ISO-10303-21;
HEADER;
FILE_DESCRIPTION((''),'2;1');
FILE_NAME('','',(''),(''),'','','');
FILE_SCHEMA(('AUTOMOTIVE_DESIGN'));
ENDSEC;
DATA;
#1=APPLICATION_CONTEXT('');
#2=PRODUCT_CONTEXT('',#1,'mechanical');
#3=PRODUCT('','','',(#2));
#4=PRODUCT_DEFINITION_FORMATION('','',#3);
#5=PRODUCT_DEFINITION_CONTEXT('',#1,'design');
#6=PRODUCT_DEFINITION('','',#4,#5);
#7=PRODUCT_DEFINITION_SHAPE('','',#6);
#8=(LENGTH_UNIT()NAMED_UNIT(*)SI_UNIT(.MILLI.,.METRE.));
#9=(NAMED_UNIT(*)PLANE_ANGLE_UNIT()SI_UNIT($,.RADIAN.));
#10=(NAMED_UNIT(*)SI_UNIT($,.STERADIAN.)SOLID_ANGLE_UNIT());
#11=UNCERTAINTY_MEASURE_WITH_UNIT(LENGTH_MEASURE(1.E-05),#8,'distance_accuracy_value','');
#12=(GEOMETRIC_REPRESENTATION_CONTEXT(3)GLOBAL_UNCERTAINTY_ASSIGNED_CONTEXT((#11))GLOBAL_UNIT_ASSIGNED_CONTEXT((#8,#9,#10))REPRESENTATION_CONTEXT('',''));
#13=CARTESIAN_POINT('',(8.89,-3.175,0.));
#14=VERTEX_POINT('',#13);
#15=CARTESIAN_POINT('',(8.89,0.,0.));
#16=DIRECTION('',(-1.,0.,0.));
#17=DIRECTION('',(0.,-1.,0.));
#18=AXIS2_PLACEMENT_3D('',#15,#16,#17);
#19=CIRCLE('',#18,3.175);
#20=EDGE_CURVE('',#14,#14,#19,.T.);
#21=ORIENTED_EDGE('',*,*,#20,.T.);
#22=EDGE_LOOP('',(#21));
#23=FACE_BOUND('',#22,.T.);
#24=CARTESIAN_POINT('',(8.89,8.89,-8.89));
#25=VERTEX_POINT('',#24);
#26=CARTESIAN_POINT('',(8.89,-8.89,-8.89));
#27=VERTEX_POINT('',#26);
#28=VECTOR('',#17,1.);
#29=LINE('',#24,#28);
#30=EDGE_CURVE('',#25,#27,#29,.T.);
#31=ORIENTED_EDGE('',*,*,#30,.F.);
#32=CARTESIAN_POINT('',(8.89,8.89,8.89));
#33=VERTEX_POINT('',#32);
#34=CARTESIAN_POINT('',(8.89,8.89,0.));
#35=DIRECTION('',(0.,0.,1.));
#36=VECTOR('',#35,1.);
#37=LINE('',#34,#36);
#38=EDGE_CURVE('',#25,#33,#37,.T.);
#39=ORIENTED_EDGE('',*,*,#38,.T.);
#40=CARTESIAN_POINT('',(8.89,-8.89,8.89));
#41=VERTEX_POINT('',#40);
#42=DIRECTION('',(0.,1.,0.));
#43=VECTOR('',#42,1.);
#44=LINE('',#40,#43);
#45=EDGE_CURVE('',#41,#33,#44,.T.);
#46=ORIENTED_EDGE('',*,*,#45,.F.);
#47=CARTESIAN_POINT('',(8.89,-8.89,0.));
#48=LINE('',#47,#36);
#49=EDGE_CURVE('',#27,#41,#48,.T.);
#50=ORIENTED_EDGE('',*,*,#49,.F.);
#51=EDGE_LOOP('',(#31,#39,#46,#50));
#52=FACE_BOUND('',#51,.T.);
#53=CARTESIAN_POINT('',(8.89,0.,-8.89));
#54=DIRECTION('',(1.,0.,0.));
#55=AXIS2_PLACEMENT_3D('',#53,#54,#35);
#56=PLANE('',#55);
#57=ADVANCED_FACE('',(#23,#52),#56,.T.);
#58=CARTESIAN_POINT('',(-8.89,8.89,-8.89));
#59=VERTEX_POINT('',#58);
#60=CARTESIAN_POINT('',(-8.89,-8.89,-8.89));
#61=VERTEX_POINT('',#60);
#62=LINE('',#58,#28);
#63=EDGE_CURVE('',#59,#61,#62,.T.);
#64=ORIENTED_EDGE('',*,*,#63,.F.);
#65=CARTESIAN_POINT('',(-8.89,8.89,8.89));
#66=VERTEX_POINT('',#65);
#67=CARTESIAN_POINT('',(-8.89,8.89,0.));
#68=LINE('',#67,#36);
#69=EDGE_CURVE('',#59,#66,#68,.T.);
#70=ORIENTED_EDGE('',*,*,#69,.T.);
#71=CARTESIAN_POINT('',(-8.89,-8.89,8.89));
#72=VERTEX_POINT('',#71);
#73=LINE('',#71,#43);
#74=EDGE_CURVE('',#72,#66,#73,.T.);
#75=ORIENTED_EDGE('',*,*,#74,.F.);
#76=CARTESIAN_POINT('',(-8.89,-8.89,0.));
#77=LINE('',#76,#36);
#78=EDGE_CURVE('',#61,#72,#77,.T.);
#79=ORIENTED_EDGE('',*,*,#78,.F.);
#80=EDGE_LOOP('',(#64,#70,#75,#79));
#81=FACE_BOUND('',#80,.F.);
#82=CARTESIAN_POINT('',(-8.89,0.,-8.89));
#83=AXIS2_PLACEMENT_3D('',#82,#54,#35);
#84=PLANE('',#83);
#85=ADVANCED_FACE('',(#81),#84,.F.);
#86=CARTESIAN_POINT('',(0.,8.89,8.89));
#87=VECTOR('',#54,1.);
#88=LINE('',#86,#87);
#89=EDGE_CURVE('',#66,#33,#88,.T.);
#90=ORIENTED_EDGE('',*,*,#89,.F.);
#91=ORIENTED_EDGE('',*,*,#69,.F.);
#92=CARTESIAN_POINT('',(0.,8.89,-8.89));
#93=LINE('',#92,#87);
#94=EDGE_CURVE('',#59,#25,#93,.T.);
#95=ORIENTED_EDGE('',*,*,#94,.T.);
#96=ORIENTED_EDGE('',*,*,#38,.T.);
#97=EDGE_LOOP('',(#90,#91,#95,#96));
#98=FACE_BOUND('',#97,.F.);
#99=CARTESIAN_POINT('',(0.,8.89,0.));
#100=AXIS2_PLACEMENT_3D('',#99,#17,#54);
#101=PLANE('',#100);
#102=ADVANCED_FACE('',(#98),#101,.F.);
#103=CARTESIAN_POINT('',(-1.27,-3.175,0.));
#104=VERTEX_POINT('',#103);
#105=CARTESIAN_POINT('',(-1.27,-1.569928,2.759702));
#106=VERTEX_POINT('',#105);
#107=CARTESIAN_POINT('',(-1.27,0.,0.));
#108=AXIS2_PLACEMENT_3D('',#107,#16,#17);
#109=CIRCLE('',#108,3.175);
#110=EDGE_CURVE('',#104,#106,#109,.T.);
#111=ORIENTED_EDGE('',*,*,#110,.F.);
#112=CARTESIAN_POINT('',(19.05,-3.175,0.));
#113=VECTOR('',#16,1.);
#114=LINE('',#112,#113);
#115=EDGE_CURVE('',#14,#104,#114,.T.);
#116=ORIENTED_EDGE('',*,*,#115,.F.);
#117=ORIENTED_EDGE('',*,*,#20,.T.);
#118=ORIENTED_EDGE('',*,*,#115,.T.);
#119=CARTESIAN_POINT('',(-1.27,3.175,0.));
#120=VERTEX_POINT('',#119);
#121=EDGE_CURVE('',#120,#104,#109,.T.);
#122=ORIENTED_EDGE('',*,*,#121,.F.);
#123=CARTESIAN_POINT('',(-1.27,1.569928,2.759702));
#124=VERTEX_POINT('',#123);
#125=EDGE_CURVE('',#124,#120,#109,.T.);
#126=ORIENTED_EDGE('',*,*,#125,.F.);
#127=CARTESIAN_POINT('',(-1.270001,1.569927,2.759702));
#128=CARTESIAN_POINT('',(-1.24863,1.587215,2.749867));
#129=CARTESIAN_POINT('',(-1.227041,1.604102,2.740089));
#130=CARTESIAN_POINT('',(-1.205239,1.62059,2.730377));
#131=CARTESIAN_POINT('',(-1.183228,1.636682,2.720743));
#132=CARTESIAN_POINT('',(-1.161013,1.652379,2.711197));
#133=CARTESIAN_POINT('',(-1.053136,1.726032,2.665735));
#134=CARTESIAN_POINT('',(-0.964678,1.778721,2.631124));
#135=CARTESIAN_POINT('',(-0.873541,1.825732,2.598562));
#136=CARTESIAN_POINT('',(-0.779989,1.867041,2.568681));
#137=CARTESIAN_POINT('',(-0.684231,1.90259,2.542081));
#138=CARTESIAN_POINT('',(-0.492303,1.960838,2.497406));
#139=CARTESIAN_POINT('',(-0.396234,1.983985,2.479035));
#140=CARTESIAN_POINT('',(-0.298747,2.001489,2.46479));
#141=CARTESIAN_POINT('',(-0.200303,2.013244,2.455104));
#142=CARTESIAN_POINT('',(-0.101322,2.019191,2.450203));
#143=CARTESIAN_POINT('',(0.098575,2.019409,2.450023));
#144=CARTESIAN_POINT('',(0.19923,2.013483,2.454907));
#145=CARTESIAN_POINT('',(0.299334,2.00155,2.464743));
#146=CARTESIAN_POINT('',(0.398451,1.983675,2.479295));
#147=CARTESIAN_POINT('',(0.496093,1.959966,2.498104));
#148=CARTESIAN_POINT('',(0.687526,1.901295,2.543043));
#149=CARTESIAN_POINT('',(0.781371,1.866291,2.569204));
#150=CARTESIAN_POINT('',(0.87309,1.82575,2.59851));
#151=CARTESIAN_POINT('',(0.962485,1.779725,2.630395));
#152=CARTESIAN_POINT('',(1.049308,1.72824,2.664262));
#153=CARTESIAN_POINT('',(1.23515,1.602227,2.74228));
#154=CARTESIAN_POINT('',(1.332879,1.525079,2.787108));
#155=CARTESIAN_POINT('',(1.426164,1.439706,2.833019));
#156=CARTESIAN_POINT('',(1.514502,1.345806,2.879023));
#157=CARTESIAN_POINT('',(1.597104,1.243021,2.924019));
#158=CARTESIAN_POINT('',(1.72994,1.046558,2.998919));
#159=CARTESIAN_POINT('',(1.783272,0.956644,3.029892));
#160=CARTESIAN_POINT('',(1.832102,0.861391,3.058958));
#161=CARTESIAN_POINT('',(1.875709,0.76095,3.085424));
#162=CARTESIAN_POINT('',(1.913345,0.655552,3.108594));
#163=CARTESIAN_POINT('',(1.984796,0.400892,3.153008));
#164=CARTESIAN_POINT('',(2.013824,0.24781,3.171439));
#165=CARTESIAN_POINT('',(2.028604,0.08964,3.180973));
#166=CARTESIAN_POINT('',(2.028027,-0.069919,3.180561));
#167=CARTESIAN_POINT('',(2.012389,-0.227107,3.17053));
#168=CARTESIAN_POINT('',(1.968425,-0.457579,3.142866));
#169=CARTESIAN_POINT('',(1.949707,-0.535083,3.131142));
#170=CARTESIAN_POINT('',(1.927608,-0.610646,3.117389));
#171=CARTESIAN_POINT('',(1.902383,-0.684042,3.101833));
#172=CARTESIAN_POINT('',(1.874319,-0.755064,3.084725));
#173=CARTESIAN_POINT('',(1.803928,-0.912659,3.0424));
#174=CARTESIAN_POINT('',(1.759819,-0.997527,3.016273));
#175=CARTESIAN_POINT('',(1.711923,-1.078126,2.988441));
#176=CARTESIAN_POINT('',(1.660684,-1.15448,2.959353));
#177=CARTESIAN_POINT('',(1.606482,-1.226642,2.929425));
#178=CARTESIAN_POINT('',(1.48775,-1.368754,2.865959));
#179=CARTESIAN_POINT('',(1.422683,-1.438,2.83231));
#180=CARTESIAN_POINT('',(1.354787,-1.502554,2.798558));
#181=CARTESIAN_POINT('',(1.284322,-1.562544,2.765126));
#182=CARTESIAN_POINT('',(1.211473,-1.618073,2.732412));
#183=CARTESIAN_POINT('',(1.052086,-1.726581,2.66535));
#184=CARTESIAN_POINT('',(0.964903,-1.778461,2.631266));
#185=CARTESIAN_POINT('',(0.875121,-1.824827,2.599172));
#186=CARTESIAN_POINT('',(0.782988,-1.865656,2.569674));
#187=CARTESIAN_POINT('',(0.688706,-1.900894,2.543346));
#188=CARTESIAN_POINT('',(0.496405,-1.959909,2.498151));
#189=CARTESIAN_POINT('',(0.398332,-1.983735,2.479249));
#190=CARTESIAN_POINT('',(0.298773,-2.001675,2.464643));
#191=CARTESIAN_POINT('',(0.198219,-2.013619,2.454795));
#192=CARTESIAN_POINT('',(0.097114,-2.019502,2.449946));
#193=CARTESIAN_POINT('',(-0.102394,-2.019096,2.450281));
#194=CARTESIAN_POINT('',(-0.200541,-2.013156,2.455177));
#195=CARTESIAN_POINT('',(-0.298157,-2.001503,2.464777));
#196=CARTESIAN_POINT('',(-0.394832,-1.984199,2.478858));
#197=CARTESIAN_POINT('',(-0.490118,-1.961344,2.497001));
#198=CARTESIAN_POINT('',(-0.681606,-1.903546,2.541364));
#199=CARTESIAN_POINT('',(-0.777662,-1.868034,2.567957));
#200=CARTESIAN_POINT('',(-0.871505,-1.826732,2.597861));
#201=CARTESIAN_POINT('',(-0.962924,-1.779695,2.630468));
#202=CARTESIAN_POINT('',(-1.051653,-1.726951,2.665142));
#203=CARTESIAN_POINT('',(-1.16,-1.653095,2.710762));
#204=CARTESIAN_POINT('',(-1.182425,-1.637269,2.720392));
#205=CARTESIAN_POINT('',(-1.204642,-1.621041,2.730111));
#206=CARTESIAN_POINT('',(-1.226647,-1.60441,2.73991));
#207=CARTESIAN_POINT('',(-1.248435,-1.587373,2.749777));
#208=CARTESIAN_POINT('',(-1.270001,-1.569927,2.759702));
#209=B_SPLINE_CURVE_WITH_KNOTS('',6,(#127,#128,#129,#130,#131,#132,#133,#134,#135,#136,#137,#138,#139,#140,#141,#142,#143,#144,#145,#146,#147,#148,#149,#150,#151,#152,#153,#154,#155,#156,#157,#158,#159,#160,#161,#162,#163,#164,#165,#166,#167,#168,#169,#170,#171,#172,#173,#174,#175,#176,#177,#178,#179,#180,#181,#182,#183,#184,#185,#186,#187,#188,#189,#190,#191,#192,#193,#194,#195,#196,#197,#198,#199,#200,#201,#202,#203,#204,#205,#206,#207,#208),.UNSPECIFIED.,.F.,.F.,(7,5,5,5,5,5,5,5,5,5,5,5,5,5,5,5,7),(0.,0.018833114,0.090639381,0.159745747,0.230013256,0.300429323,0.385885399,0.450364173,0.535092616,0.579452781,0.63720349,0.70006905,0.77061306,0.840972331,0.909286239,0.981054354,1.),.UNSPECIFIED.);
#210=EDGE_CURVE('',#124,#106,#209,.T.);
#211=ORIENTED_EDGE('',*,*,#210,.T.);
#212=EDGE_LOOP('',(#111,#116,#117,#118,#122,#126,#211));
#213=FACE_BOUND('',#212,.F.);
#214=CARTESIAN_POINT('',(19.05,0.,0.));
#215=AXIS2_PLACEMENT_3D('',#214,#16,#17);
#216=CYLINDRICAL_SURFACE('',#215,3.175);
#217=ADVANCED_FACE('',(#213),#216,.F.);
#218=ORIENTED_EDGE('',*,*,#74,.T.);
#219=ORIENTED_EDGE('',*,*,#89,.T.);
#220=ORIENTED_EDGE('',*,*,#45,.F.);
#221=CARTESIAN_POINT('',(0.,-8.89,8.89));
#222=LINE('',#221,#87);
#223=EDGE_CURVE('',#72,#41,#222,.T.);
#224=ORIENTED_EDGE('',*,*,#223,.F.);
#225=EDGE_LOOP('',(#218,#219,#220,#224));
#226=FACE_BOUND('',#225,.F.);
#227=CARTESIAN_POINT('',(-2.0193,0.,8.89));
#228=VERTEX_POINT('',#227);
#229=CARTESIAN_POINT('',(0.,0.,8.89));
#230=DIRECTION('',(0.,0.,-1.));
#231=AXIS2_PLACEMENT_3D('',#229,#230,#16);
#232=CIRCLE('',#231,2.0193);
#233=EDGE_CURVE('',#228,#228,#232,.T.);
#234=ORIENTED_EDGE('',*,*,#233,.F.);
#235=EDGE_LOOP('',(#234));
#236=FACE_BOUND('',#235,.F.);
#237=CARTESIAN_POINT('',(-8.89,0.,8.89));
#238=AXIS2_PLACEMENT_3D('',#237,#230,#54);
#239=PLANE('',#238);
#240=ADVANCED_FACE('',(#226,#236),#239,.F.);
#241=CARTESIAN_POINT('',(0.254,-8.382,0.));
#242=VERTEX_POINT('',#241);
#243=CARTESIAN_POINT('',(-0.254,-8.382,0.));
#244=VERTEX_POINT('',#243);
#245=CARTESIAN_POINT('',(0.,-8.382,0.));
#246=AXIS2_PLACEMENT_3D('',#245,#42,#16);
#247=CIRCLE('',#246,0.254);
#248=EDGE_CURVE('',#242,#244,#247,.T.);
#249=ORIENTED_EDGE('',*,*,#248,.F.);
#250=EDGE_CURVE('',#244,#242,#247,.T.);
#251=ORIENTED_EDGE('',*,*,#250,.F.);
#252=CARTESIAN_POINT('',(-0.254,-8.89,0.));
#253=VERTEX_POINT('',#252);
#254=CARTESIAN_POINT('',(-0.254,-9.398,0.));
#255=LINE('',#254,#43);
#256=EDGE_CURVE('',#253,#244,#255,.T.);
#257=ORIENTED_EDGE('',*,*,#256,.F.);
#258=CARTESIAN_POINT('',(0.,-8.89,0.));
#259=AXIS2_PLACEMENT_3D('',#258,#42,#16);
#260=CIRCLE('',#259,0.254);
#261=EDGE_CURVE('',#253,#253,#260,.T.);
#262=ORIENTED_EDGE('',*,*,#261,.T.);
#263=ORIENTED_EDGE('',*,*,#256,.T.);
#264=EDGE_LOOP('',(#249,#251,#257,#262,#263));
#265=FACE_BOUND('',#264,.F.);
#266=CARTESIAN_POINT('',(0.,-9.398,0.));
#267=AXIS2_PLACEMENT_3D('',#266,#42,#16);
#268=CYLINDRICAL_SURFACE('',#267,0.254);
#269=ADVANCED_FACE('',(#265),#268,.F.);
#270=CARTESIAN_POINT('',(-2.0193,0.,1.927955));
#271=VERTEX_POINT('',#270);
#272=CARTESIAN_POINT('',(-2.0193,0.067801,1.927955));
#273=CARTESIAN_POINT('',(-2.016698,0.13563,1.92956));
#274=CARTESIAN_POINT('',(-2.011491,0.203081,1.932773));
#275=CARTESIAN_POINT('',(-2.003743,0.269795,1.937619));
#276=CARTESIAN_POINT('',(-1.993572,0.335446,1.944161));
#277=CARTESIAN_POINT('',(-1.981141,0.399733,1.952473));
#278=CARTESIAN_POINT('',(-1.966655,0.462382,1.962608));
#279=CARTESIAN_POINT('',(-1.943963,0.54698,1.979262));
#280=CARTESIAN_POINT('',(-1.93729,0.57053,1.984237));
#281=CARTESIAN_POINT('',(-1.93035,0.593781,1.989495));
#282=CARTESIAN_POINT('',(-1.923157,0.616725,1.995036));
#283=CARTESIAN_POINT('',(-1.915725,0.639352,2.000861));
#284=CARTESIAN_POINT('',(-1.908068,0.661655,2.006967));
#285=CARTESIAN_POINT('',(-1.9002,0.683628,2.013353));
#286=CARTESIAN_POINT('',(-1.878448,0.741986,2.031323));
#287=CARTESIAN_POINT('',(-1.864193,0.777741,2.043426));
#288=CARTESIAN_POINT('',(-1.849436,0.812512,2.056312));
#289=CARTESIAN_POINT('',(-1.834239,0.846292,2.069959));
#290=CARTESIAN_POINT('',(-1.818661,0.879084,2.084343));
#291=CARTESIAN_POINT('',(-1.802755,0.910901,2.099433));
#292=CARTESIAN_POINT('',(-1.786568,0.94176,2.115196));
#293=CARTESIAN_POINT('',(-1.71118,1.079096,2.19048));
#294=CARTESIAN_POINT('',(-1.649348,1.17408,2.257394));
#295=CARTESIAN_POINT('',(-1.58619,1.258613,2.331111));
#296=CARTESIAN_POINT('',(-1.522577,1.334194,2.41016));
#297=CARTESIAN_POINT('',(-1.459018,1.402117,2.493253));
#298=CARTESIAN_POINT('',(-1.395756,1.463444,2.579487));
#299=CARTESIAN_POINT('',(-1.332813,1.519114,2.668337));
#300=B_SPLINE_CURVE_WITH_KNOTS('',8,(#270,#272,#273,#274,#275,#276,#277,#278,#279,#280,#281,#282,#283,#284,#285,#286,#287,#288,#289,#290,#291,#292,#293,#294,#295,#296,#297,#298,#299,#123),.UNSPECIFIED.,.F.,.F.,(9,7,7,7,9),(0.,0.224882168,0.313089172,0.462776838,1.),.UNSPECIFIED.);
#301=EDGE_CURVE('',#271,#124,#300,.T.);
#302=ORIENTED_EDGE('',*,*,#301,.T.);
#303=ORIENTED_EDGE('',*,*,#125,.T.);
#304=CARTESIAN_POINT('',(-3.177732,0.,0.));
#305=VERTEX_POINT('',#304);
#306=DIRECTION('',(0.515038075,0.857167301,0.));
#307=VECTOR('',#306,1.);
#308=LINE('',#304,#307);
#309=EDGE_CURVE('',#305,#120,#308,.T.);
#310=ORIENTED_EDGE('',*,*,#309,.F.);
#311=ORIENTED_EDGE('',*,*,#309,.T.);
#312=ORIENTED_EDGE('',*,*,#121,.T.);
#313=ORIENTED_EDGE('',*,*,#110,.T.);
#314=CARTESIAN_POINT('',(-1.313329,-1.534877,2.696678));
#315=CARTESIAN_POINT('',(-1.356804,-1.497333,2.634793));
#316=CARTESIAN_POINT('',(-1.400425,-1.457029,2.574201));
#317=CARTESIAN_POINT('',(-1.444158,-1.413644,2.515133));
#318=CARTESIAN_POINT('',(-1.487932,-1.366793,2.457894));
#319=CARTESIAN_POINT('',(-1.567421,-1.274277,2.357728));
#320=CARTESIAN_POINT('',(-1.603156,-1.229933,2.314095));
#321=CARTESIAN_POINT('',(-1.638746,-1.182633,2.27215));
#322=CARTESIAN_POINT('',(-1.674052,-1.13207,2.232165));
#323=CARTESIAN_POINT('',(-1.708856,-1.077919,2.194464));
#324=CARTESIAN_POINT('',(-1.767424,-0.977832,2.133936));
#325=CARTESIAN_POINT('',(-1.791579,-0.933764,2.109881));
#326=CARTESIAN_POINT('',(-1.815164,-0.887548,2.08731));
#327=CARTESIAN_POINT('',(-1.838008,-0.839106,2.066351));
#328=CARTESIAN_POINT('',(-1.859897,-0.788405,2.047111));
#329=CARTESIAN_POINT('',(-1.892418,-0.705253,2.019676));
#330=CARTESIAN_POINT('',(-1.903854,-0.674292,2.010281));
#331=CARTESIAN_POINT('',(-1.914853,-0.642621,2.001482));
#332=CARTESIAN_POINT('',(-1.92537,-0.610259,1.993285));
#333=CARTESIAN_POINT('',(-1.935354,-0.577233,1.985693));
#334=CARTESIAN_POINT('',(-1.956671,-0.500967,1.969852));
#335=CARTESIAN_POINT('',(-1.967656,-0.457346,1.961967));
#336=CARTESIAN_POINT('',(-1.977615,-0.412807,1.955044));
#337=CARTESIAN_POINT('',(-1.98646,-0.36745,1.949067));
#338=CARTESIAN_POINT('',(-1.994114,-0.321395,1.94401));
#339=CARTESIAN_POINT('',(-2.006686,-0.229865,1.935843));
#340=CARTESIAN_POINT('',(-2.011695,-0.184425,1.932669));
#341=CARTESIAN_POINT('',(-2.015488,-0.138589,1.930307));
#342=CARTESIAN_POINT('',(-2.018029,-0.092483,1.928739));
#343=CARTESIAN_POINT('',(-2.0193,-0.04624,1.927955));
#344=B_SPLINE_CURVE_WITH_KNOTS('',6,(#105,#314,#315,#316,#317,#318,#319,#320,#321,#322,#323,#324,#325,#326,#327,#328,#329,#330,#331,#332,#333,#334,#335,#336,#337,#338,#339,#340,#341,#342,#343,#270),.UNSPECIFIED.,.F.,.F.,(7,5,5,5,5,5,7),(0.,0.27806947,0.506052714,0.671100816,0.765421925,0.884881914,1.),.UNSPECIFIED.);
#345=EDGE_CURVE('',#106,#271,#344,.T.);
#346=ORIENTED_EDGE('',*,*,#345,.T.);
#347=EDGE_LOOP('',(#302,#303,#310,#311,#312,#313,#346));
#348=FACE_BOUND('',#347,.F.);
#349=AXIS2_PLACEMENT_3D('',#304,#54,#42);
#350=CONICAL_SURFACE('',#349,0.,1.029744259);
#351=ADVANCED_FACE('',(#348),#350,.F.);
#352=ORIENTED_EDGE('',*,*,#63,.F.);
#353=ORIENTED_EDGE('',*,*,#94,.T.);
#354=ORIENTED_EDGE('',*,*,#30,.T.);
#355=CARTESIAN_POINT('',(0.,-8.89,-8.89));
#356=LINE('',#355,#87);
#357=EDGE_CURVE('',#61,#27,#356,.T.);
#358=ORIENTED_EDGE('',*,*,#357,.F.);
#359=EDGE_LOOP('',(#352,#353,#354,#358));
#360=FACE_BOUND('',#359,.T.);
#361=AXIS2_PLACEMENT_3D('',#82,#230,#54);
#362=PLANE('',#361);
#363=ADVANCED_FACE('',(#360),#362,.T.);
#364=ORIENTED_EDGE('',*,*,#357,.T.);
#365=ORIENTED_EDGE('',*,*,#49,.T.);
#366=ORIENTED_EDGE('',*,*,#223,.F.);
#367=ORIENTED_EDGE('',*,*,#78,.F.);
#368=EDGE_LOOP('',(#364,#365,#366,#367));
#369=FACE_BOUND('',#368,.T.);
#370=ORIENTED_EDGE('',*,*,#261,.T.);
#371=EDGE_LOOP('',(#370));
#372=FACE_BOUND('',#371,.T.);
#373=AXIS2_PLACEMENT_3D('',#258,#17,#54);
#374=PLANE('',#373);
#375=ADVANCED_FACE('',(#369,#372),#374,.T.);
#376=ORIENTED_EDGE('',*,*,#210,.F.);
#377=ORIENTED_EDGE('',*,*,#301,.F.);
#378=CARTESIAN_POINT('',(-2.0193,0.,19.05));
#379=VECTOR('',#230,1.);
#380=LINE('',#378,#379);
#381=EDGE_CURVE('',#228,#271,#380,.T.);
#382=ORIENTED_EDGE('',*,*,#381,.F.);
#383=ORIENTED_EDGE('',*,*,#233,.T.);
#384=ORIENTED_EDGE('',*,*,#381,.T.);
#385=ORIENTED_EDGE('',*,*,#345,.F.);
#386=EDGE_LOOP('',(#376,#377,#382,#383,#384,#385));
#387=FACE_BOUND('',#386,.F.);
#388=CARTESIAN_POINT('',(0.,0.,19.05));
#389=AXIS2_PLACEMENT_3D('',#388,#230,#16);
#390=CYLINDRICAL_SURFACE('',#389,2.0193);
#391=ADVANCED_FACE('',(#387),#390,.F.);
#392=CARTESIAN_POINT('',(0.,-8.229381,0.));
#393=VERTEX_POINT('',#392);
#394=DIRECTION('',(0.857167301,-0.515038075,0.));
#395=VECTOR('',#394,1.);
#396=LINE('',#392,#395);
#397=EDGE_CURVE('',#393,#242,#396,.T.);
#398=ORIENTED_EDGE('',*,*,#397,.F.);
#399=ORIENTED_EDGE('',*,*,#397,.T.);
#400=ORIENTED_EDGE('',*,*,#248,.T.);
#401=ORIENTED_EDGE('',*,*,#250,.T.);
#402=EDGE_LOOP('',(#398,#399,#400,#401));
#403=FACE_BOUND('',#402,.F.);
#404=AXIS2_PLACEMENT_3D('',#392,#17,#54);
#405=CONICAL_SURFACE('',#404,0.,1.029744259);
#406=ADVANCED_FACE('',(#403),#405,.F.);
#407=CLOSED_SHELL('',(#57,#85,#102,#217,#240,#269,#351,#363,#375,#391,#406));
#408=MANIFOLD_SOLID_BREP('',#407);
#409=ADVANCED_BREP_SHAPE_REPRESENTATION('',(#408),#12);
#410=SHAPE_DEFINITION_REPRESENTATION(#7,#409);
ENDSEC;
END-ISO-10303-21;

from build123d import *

# Parameters (mm, degrees)
F0_W     = 17.78
F0_H     = 17.78
F1_DEPTH = 8.89
F5_D     = 0.508
F5_DEPTH = 0.508
F5_TIP   = 0.1526185972
F6_D     = 4.0386
F6_DEPTH = 10.16
F6_TIP   = 1.213317848
F7_D     = 6.35
F7_DEPTH = 10.16
F7_TIP   = 1.9077324654


with BuildPart() as f1:
    # F0 (on Front) → F1 (new body, symmetric)
    with BuildSketch(Plane.XZ):
        Rectangle(F0_W, F0_H)
    extrude(amount=F1_DEPTH, both=True)

    # F5
    with Locations(Plane.XZ.offset(8.89)):
        with Locations((0, 0)):
            Hole(F5_D / 2, depth=F5_DEPTH)
            with Locations((0, 0, -(F5_DEPTH + F5_TIP / 2))):  # 118° drill point
                Cone(0, F5_D / 2, F5_TIP, mode=Mode.SUBTRACT)

    # F6
    with Locations(Plane.XY.offset(8.89)):
        with Locations((0, 0)):
            Hole(F6_D / 2, depth=F6_DEPTH)
            with Locations((0, 0, -(F6_DEPTH + F6_TIP / 2))):  # 118° drill point
                Cone(0, F6_D / 2, F6_TIP, mode=Mode.SUBTRACT)

    # F7
    with Locations(Plane.YZ.offset(8.89)):
        with Locations((0, 0)):
            Hole(F7_D / 2, depth=F7_DEPTH)
            with Locations((0, 0, -(F7_DEPTH + F7_TIP / 2))):  # 118° drill point
                Cone(0, F7_D / 2, F7_TIP, mode=Mode.SUBTRACT)


solid = f1.part
